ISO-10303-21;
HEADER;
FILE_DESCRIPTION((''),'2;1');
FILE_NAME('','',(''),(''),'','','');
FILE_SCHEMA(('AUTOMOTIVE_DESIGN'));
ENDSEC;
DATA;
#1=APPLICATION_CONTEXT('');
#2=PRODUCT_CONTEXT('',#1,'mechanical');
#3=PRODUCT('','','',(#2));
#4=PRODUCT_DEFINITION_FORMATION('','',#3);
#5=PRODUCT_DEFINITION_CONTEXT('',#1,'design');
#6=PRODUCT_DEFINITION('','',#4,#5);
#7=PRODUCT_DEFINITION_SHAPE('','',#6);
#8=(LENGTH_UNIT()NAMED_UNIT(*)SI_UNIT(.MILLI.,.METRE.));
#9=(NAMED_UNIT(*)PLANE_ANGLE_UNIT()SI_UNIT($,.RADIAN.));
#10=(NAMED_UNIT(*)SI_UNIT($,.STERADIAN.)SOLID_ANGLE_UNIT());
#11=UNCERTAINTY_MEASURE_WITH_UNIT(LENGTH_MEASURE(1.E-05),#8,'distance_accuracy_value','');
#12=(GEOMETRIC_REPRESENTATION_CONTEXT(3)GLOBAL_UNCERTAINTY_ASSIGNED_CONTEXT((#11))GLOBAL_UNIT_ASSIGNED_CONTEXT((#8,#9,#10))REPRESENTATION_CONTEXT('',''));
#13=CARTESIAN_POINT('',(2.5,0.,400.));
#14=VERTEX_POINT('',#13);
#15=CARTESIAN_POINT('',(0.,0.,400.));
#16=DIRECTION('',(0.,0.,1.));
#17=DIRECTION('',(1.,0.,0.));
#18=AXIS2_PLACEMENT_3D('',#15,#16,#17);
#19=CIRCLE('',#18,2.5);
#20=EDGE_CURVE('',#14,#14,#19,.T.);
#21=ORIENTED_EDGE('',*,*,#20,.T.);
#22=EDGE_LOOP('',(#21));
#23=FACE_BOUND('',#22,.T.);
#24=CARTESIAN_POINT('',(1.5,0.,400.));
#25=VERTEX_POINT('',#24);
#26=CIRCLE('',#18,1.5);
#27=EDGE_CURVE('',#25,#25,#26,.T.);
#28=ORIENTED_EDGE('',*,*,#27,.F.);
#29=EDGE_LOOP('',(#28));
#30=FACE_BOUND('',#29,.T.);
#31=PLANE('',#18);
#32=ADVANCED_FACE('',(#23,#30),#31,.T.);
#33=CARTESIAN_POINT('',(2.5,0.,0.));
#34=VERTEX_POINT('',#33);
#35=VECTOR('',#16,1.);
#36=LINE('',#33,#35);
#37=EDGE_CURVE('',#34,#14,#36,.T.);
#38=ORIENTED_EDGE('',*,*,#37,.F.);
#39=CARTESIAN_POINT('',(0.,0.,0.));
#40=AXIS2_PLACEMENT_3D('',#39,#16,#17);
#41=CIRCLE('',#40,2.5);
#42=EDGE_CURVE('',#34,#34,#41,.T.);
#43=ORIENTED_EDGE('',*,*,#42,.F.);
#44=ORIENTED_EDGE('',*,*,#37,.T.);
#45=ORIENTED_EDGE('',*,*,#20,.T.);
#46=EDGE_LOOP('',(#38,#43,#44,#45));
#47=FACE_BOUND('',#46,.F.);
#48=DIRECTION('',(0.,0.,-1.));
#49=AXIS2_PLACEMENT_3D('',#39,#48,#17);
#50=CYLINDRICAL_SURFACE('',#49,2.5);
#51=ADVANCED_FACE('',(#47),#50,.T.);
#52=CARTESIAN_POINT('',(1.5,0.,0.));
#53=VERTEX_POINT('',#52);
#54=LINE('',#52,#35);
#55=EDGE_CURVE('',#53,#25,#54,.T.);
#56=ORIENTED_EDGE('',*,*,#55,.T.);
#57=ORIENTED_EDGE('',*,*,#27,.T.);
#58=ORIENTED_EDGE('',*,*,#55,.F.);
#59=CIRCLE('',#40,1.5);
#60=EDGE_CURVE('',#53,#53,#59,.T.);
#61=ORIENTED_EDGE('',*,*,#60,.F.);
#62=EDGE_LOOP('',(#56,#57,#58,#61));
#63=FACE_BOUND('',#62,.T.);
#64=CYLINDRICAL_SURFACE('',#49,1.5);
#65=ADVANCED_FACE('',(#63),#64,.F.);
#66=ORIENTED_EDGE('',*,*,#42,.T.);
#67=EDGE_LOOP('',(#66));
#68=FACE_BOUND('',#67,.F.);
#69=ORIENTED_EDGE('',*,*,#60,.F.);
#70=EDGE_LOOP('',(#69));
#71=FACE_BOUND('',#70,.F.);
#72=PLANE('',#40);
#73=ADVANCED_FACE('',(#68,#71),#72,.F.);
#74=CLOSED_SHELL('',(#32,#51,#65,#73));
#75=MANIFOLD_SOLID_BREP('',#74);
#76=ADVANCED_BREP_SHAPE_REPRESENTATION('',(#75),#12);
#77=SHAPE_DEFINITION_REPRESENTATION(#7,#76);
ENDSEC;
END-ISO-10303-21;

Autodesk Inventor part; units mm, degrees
ref_plane "YZ Plane" through (0, 0, 0) normal (1, 0, 0) x (0, 1, 0)
ref_plane "XZ Plane" through (0, 0, 0) normal (0, 1, 0) x (-1, 0, 0)
ref_plane "XY Plane" through (0, 0, 0) normal (0, 0, 1) x (1, 0, 0)
sketch "Sketch1" plane through (0, 0, 0) normal (0, 0, 1) x (1, 0, 0)
  circle A0 centre (0, 0) radius 1.5
  circle A1 centre (0, 0) radius 2.5
  dimension "d0" = 3
  dimension "d1" = 5
extrude "Extrusion1" add sketch "Sketch1" along normal blind 400
properties part number "4P.01.01.01-TW-v1-FlapSpar" material "CFRP"
